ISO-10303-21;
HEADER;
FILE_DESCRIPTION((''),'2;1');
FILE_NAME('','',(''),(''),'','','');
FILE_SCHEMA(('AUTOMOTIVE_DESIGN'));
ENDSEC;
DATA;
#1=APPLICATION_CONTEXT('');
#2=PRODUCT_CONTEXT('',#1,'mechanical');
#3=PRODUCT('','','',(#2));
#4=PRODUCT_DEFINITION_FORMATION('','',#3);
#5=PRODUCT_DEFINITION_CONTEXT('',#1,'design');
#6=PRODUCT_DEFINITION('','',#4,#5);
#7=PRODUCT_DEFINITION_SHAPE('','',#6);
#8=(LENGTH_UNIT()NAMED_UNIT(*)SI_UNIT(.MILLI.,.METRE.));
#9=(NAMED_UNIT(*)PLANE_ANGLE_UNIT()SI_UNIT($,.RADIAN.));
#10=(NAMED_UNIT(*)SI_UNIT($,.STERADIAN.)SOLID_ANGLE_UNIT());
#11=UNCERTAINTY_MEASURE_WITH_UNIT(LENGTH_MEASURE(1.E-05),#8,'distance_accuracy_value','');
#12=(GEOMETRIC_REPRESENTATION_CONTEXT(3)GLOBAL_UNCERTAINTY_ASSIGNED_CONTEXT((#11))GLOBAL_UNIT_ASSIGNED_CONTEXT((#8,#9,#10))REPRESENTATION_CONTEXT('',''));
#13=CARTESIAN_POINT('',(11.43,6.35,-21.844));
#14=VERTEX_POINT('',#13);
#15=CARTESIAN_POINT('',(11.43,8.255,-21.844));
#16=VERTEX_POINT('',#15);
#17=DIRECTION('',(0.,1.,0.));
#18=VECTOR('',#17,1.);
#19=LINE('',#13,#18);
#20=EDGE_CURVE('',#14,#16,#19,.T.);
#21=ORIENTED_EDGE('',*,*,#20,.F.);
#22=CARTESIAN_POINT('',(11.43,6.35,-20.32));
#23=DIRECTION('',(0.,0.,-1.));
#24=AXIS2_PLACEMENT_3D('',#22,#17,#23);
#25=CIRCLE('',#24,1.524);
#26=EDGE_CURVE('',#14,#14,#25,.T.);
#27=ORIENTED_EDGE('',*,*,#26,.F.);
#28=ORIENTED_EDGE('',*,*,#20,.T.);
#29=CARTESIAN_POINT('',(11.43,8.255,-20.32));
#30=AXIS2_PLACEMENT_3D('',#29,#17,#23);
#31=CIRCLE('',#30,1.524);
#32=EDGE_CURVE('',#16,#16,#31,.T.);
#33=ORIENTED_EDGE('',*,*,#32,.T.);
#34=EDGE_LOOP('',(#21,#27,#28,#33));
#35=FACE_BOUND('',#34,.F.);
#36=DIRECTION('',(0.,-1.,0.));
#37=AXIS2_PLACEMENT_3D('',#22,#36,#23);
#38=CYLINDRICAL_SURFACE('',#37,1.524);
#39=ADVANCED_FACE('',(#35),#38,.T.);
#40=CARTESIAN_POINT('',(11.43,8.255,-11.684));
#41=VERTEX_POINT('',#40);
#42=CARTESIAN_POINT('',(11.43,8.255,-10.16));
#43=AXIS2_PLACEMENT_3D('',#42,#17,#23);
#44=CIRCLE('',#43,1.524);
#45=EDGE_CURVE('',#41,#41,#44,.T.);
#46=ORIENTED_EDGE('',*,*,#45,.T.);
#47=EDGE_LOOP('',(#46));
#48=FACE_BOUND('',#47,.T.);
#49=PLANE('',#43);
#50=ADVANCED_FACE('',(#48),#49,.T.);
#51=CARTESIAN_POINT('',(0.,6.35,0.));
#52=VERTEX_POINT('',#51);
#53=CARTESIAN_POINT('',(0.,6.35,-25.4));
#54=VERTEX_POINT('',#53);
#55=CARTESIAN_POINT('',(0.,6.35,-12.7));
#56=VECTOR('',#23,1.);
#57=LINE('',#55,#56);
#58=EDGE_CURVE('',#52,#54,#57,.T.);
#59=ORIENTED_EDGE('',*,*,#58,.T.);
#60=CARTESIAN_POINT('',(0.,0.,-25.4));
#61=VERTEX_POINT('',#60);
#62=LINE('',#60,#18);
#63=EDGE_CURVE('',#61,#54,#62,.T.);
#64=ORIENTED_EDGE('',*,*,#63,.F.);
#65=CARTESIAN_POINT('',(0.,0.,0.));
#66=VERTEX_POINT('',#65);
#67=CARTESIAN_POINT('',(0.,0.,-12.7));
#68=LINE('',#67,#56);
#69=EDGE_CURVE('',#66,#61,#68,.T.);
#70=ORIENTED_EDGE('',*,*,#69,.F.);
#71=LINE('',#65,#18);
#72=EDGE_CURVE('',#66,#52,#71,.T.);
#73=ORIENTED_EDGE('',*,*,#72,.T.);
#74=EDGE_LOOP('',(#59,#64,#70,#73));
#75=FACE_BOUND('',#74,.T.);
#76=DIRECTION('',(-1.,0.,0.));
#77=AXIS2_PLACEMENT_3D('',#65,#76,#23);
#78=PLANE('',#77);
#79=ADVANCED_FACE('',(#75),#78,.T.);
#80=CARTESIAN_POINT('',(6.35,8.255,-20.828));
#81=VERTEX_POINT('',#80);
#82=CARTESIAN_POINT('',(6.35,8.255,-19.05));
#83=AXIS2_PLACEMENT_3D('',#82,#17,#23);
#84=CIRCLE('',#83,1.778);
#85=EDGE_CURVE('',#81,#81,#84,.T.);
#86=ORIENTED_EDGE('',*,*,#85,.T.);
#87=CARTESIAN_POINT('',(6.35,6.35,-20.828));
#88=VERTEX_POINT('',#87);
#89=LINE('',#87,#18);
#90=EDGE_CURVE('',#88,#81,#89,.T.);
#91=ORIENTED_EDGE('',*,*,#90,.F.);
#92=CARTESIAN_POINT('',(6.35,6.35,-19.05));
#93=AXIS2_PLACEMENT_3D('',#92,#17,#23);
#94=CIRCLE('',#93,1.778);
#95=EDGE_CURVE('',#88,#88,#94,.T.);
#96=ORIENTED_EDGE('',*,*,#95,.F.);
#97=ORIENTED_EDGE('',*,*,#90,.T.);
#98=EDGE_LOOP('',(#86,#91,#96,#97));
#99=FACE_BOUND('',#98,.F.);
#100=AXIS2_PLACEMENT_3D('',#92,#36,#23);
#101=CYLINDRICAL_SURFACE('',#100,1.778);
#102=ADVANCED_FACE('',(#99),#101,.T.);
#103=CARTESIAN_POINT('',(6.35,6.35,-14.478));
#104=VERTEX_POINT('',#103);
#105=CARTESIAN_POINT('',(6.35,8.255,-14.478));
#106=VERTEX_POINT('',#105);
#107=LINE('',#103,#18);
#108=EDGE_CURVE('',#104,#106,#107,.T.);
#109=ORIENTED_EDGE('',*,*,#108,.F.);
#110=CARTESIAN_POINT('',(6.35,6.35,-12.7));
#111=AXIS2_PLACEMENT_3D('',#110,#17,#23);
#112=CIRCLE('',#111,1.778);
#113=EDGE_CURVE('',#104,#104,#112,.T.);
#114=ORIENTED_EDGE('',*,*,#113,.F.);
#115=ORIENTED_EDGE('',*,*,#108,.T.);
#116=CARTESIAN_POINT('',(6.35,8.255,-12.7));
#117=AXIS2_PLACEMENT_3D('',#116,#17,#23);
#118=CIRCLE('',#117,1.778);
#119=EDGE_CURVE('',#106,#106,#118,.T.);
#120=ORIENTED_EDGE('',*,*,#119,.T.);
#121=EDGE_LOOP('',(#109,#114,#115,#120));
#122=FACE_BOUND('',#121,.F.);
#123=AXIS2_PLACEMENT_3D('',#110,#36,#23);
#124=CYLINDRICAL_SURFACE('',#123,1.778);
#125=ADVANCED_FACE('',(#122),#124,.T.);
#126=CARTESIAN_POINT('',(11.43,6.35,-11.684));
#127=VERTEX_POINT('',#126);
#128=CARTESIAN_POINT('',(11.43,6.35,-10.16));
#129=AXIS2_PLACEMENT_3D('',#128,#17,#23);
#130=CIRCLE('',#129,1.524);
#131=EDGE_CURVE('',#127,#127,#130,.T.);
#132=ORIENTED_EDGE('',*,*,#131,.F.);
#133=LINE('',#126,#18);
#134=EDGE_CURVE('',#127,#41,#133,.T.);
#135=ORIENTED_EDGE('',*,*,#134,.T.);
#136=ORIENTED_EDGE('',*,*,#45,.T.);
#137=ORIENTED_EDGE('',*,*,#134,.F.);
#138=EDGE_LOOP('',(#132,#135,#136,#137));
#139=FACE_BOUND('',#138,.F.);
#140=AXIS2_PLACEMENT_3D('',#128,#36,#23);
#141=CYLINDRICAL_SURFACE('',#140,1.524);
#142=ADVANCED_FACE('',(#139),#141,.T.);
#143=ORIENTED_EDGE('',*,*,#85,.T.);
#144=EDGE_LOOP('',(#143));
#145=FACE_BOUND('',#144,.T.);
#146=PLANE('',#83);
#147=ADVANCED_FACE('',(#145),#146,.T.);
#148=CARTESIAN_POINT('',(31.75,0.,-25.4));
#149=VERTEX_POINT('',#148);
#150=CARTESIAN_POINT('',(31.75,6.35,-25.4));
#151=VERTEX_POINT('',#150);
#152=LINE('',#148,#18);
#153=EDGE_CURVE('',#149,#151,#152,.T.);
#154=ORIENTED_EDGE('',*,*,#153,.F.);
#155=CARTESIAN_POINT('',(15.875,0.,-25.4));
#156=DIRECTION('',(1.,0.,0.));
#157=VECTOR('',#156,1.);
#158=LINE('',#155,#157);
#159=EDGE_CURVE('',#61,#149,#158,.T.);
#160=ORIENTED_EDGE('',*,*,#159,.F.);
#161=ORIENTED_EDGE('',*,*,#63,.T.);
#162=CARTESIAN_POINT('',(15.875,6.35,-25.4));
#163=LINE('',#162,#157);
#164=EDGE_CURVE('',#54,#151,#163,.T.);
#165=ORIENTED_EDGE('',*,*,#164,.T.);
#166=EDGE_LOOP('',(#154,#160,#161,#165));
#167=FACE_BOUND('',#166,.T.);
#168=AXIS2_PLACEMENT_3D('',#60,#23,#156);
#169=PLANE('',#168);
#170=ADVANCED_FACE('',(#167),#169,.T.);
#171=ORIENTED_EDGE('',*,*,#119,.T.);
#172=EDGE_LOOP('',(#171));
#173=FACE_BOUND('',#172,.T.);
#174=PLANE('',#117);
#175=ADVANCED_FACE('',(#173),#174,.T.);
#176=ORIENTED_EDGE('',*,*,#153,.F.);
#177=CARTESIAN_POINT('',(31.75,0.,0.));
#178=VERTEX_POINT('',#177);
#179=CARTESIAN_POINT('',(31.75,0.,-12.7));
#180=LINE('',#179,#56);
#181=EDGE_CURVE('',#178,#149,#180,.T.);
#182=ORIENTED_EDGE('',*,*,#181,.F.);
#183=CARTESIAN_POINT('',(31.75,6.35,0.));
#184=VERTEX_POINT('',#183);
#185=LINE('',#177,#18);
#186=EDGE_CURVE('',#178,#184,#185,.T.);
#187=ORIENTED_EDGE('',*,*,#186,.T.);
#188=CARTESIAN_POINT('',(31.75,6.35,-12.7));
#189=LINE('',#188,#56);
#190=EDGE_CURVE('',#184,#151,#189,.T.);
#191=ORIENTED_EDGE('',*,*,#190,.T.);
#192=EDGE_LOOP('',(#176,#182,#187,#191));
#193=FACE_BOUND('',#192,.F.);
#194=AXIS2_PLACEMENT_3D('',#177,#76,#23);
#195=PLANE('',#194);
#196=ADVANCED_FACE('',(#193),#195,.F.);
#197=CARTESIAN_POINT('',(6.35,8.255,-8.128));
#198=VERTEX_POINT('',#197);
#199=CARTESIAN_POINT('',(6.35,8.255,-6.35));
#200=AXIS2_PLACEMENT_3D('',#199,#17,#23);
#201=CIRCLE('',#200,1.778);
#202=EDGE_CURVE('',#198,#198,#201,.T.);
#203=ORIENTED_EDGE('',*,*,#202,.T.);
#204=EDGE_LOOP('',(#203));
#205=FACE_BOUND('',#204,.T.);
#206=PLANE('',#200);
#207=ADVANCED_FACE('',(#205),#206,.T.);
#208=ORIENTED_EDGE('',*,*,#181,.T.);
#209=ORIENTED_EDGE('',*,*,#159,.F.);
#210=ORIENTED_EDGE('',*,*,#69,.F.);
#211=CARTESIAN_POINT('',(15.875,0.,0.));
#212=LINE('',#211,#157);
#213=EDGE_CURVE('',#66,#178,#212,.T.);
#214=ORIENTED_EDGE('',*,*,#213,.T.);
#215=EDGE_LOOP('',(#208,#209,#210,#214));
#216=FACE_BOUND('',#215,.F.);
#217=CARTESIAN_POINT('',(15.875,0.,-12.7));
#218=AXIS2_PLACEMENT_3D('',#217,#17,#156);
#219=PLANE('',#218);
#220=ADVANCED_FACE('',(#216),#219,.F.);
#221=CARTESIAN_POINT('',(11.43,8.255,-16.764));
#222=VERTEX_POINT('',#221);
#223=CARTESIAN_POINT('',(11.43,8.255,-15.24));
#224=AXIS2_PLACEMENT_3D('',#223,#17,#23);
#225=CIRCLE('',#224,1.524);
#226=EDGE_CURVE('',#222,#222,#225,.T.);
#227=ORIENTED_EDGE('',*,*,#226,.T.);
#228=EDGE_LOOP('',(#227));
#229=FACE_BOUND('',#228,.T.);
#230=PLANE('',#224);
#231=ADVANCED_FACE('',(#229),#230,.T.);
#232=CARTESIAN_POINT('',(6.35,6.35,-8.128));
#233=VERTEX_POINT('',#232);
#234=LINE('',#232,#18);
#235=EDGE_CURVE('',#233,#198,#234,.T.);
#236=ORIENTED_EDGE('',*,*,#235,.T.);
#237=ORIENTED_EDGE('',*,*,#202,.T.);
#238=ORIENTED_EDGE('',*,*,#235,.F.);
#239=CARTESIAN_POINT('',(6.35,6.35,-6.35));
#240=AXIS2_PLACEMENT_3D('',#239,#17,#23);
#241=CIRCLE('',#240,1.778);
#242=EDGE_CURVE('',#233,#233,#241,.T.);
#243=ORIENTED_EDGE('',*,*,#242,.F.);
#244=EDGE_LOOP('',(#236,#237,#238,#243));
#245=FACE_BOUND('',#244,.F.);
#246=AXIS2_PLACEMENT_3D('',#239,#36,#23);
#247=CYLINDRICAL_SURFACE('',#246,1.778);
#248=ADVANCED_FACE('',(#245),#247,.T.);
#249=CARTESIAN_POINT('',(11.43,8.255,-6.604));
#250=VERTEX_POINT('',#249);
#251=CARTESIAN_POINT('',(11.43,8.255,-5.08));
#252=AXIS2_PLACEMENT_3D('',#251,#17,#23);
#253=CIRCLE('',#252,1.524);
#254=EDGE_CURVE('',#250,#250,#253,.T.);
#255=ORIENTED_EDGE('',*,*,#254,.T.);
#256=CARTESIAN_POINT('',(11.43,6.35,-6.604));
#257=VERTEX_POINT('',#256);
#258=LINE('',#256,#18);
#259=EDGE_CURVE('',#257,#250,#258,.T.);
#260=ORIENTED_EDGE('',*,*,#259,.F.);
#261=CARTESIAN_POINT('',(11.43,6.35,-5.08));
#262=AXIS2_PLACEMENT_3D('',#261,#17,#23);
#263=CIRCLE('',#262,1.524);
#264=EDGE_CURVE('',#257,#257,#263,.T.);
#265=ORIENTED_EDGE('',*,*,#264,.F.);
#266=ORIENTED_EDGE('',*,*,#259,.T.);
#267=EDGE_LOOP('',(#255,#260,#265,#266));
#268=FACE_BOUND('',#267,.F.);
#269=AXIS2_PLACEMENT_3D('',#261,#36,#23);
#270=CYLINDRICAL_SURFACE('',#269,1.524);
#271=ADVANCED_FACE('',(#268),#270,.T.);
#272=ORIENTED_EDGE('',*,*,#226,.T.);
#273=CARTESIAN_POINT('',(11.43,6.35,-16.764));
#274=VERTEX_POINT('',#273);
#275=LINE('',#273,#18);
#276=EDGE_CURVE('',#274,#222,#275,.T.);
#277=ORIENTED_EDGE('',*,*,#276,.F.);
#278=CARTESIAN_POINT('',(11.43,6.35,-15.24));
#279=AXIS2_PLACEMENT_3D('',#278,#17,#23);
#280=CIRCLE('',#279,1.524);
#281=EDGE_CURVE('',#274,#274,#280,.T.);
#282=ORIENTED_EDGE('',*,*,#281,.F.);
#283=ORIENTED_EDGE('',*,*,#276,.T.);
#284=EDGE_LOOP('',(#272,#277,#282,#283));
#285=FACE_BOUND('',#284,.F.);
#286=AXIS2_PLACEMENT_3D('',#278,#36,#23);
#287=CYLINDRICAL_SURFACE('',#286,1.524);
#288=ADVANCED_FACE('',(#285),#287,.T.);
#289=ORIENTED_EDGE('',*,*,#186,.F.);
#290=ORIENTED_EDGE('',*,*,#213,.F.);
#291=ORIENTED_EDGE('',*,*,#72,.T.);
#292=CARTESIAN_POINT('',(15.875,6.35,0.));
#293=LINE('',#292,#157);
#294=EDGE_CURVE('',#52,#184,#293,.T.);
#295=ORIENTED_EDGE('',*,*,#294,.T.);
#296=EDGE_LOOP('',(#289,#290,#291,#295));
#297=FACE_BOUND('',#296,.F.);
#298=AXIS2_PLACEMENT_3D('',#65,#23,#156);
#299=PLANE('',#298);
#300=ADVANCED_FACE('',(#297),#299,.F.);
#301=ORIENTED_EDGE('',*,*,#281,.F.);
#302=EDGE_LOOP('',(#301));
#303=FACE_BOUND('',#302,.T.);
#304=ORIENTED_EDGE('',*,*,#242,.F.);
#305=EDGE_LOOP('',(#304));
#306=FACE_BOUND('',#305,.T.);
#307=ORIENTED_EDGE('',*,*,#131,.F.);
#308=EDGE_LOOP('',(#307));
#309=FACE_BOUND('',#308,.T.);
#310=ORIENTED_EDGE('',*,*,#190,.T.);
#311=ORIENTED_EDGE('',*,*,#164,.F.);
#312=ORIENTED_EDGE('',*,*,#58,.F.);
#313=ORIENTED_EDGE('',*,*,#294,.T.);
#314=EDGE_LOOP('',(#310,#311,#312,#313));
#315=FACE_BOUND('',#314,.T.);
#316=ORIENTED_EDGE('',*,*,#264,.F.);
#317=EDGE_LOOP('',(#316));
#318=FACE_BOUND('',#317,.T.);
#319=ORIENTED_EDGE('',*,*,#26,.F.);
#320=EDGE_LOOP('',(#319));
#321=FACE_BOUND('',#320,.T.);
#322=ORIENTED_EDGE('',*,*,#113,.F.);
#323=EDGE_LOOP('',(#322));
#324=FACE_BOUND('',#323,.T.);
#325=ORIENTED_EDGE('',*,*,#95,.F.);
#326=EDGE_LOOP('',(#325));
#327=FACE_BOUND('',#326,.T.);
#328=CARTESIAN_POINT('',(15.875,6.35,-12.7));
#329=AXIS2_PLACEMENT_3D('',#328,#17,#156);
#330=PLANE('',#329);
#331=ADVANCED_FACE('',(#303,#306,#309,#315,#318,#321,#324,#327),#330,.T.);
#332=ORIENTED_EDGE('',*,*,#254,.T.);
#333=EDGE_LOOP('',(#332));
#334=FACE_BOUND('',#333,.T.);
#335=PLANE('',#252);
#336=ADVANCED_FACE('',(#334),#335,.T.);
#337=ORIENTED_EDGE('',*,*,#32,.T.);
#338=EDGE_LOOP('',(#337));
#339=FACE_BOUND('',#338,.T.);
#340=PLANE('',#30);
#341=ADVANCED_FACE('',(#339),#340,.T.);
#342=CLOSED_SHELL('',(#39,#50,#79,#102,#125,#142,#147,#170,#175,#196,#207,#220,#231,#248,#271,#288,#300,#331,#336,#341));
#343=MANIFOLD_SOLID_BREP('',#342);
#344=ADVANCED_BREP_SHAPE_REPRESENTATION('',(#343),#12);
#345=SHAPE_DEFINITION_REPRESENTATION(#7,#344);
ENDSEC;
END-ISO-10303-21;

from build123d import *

# Parameters (mm, degrees)
SKETCH2_W           = 31.75
SKETCH2_H           = 25.4
BOSS_EXTRUDE1_DEPTH = 6.35
SKETCH4_R           = 1.778
SKETCH4_R_2         = 1.524
BOSS_EXTRUDE2_DEPTH = 1.905


with BuildPart() as part:
    # Sketch2 → Boss-Extrude1 (new body)
    with BuildSketch(Plane(origin=(0, 0, 0), x_dir=(1, 0, 0), z_dir=(0, 1, 0))):
        with Locations((15.875, 12.7)):
            Rectangle(SKETCH2_W, SKETCH2_H)
    extrude(amount=BOSS_EXTRUDE1_DEPTH)

    # Sketch4 → Boss-Extrude2 (add)
    with BuildSketch(Plane(origin=(0, 6.35, 0), x_dir=(1, 0, 0), z_dir=(0, 1, 0))):
        with Locations(Location((6.35, 6.35, 0), (0, 0, 90))):
            Circle(SKETCH4_R)
        with Locations(Location((6.35, 12.7, 0), (0, 0, 90))):
            Circle(SKETCH4_R)
        with Locations(Location((6.35, 19.05, 0), (0, 0, 90))):
            Circle(SKETCH4_R)
        with Locations(Location((11.43, 20.32, 0), (0, 0, 90))):
            Circle(SKETCH4_R_2)
        with Locations(Location((11.43, 15.24, 0), (0, 0, 90))):
            Circle(SKETCH4_R_2)
        with Locations(Location((11.43, 10.16, 0), (0, 0, 90))):
            Circle(SKETCH4_R_2)
        with Locations(Location((11.43, 5.08, 0), (0, 0, 90))):
            Circle(SKETCH4_R_2)
    extrude(amount=BOSS_EXTRUDE2_DEPTH)


solid = part.part
